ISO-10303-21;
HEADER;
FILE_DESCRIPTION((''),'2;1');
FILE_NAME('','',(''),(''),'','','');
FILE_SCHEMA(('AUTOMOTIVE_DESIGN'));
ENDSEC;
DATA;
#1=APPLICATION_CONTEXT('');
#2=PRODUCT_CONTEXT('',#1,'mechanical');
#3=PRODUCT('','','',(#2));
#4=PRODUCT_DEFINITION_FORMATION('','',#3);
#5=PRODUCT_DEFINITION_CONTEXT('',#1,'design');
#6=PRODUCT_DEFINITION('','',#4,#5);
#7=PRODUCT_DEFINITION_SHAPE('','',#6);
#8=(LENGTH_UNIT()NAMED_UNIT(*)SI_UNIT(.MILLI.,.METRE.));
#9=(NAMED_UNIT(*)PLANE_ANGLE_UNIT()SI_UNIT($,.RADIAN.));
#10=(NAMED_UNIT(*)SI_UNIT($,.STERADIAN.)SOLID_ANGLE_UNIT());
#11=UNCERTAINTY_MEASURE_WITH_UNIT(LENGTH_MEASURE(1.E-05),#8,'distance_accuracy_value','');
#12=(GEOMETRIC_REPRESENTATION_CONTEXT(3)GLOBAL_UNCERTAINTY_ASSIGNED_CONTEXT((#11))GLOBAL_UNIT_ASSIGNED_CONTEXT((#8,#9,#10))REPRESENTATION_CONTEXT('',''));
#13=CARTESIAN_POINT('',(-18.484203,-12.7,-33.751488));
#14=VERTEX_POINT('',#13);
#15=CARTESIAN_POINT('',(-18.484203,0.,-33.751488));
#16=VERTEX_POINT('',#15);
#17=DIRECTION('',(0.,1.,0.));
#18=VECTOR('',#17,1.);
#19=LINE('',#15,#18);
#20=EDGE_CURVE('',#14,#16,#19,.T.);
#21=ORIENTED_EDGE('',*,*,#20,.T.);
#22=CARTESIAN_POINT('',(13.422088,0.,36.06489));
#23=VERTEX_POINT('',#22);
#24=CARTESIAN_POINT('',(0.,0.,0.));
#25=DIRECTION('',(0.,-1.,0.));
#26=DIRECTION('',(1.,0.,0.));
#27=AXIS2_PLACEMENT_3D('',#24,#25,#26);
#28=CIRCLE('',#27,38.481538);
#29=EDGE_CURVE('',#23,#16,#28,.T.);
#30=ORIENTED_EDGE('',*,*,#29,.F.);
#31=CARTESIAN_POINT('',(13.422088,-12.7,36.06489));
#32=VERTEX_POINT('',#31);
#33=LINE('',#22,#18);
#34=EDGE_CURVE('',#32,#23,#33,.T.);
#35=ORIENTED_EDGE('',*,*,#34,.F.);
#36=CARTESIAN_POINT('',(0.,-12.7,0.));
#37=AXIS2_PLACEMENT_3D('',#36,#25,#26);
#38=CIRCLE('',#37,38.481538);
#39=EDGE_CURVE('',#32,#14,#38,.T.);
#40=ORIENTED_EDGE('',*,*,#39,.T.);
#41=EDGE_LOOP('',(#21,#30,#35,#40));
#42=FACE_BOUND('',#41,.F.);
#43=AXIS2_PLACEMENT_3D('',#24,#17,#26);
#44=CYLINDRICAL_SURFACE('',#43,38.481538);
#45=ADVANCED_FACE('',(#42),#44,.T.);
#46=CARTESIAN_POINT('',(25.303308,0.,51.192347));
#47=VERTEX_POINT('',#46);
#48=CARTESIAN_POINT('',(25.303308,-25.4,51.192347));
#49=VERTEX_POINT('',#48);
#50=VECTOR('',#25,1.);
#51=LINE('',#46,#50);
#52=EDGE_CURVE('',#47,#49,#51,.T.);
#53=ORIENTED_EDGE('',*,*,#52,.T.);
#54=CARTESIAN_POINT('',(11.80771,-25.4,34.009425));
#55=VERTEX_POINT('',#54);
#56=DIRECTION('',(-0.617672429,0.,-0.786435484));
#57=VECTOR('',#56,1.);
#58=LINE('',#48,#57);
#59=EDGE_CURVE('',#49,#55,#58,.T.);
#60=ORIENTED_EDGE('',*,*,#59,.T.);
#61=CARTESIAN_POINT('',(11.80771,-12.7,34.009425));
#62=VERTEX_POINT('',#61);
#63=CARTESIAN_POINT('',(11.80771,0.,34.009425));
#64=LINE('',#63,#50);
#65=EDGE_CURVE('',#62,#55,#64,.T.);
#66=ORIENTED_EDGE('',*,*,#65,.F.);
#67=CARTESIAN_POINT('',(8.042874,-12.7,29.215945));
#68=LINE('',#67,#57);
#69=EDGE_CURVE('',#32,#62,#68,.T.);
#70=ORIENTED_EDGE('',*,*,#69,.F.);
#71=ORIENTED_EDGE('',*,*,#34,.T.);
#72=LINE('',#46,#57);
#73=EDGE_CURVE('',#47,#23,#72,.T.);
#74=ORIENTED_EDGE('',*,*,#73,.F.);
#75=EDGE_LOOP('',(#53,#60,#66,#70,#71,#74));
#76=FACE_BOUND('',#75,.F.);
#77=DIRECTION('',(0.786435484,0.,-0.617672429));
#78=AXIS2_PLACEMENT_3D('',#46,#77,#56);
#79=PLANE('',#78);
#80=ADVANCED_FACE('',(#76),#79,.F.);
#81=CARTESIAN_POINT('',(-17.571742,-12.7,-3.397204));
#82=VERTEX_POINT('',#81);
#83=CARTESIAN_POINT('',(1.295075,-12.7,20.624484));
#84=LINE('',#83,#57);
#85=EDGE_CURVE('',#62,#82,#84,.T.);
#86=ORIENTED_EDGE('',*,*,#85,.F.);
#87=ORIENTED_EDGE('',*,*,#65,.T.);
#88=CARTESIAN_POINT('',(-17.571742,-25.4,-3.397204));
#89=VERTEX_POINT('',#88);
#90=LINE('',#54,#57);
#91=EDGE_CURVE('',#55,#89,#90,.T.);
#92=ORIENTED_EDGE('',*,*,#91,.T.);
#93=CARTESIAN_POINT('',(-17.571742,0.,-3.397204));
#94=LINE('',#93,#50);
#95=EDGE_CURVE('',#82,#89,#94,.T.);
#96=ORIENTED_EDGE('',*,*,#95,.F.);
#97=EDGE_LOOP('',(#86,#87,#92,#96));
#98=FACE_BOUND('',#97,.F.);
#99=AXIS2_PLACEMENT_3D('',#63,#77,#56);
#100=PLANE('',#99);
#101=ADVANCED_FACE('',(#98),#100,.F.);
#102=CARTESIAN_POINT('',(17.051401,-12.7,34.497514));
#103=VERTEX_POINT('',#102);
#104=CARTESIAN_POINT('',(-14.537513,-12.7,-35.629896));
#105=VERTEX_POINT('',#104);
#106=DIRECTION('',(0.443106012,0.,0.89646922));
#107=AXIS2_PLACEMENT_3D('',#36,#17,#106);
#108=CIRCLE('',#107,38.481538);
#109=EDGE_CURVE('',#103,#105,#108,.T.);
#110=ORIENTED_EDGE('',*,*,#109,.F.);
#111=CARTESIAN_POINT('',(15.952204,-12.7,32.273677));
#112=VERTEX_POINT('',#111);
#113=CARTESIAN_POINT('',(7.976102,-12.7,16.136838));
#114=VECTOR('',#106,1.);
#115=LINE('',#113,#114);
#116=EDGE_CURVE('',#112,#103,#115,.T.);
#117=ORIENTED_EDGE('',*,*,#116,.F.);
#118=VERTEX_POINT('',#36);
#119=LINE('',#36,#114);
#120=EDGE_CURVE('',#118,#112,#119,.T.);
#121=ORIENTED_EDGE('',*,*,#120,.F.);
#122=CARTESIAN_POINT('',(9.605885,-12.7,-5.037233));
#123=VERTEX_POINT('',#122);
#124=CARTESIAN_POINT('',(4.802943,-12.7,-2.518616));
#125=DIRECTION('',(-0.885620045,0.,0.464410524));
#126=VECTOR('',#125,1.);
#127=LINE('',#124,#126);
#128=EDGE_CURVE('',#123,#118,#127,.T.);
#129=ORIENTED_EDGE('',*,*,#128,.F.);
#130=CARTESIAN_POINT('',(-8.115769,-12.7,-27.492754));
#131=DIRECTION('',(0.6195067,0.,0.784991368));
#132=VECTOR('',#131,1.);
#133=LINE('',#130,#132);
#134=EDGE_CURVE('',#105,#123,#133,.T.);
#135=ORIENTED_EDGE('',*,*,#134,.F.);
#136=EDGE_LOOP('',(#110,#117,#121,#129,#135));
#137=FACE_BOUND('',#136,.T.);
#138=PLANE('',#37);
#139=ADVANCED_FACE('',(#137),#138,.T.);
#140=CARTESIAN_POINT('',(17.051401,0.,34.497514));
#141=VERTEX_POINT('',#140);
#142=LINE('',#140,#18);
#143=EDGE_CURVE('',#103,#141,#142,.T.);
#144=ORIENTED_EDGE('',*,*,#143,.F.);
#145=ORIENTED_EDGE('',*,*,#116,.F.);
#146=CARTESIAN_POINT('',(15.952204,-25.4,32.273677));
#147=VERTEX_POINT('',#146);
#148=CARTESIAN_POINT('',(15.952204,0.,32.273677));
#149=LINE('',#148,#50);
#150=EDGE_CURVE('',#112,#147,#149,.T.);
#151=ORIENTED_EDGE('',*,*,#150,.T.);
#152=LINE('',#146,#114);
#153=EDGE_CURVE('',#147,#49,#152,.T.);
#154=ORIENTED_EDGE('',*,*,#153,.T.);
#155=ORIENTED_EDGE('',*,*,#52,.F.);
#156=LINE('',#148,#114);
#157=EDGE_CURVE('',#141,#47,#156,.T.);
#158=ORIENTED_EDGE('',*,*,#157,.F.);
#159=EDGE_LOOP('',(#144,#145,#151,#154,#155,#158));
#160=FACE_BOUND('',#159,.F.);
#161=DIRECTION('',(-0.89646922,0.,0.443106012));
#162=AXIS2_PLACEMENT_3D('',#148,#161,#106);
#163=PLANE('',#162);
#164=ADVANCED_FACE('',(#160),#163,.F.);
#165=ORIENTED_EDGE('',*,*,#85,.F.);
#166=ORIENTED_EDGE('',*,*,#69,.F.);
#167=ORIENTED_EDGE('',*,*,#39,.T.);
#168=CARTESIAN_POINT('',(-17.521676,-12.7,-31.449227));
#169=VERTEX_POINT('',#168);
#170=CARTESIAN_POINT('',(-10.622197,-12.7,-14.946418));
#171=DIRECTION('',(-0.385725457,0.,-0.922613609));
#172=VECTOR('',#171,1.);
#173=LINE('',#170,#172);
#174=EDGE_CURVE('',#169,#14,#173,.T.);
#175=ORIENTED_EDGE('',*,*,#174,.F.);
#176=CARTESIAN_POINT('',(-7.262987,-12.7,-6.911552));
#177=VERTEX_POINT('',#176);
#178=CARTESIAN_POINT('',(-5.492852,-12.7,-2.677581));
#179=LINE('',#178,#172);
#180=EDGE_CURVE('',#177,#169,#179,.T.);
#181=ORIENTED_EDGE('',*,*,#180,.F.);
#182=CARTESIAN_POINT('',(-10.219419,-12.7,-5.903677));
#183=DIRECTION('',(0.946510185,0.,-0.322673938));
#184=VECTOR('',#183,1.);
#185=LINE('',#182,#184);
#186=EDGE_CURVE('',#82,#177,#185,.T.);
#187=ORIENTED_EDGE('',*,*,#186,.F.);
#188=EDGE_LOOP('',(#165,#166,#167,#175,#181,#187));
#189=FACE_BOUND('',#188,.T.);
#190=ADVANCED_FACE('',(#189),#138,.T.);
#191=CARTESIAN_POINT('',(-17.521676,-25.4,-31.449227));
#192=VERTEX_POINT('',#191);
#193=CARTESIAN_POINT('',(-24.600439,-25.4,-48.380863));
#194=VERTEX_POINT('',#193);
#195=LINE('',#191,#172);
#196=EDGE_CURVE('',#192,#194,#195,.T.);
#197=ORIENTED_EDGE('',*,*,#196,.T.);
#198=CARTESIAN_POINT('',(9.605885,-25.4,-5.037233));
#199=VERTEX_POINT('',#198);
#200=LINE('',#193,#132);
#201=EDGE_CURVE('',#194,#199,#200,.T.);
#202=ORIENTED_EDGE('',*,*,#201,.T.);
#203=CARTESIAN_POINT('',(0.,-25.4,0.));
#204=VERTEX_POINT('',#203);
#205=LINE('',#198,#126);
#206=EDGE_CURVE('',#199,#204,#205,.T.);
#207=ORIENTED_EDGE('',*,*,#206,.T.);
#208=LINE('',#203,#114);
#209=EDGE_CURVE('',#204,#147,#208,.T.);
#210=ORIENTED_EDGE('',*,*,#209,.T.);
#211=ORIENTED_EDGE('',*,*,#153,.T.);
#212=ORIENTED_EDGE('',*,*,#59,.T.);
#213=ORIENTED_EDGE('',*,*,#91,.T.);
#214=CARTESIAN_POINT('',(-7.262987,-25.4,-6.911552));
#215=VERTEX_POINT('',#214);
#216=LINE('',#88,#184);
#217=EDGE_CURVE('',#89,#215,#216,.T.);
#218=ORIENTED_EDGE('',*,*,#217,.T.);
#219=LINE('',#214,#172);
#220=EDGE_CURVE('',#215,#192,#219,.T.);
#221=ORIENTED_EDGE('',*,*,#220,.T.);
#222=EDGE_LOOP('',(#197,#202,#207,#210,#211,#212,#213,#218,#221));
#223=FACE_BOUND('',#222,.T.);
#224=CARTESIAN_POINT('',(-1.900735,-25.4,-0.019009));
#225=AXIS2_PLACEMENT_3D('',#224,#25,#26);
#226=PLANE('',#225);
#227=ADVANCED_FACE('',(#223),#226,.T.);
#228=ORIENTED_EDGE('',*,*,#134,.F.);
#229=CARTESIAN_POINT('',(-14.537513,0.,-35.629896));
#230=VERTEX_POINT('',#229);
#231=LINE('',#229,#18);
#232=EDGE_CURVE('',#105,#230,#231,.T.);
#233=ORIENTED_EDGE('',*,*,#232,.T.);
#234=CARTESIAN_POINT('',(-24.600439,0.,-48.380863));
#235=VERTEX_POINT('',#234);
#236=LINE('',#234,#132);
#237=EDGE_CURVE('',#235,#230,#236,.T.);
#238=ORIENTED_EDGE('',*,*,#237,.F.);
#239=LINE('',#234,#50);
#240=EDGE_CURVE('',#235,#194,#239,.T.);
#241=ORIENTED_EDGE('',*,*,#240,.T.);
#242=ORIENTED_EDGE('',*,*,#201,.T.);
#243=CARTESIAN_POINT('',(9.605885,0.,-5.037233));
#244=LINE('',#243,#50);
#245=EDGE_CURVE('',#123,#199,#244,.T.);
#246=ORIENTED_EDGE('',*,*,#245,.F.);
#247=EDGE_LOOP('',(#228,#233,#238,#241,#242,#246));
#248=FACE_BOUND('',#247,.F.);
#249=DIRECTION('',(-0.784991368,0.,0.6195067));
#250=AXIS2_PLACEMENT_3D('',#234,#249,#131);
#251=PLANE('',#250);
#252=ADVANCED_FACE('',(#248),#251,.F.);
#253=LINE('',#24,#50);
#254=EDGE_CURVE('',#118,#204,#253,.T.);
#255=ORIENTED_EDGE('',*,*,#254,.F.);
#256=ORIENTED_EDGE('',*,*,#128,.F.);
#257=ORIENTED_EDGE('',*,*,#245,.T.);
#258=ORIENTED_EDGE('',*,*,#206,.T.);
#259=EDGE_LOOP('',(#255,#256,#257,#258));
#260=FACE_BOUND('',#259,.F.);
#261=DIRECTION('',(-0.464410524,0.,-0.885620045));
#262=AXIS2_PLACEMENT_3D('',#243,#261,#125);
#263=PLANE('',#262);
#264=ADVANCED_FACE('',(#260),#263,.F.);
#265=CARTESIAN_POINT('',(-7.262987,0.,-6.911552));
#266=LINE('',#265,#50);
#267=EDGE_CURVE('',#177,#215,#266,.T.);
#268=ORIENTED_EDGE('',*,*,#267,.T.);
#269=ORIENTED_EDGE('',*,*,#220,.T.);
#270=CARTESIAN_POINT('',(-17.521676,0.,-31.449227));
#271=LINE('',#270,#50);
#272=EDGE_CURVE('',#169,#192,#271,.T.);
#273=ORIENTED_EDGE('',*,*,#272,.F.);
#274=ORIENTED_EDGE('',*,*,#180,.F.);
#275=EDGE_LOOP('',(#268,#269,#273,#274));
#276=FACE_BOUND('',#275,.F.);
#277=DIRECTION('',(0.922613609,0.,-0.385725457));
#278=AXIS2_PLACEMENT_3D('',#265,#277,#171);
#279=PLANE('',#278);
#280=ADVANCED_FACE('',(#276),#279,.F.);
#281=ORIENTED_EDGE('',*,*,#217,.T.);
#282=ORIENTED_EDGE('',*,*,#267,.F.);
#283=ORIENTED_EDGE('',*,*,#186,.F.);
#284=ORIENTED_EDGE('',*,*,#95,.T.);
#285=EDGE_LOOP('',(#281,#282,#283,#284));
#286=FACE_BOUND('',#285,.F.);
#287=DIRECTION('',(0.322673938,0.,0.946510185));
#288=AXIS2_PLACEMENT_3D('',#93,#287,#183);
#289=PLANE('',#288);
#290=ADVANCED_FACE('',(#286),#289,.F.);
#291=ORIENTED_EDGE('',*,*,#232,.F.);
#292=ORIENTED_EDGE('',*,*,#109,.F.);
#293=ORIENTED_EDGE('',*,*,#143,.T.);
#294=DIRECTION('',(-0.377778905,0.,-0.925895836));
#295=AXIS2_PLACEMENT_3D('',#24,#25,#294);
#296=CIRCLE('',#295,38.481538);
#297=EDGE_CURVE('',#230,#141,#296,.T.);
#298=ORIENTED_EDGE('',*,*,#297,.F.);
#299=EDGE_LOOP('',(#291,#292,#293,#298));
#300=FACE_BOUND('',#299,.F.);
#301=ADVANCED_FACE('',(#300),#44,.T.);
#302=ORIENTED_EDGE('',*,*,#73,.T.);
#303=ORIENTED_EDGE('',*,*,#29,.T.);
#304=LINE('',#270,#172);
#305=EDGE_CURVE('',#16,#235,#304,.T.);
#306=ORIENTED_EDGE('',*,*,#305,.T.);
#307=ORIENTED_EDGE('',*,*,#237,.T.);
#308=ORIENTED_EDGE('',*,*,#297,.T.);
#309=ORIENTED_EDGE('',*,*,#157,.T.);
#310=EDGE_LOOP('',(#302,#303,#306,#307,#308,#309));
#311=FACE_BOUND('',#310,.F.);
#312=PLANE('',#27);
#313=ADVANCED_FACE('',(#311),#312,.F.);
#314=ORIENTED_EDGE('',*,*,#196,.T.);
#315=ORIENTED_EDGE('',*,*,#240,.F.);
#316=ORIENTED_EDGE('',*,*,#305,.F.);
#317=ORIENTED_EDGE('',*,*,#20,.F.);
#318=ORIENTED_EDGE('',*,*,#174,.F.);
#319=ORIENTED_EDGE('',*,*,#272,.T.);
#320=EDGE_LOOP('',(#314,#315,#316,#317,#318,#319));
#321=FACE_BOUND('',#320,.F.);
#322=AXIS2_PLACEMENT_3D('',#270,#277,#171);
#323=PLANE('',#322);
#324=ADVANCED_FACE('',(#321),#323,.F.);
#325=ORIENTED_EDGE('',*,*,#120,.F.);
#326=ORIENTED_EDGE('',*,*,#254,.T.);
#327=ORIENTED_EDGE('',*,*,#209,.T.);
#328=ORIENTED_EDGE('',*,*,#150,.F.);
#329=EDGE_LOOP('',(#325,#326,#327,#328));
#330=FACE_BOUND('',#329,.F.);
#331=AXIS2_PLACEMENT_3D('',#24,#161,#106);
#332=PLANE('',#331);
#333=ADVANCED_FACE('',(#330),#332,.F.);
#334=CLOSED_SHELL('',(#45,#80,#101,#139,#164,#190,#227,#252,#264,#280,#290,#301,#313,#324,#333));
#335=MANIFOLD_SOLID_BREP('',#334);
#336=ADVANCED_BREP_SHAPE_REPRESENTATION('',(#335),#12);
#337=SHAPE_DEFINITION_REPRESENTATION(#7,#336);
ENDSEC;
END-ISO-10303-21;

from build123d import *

# Parameters (mm, degrees)
F1_DEPTH = 25.4
F2_R     = 38.4815377022
F3_DEPTH = 12.7


with BuildPart() as f1:
    # F0 (on Front) → F1 (new body)
    with BuildSketch(Plane.XZ):
        with BuildLine():
            Line((0, 0), (15.9522042852, 32.2736765923))
            ThreePointArc((15.9522042852, 32.2736765923), (13.9070635798, 33.2062735778), (11.8077100935, 34.0094252331))
            Line((11.8077100935, 34.0094252331), (-17.5717417151, -3.397203749))
            Line((-17.5717417151, -3.397203749), (-7.2629870847, -6.9115520455))
            Line((-7.2629870847, -6.9115520455), (-17.5216759613, -31.4492272377))
            ThreePointArc((-17.5216759613, -31.4492272377), (-15.2654291044, -32.6041361885), (-12.933512927, -33.5974294509))
            Line((-12.933512927, -33.5974294509), (9.6058854833, -5.0372327678))
            Line((9.6058854833, -5.0372327678), (0, 0))
        make_face()
        with BuildLine():
            Line((-24.6004387736, -48.3808629215), (-12.933512927, -33.5974294509))
            ThreePointArc((-12.933512927, -33.5974294509), (-15.2654291044, -32.6041361885), (-17.5216759613, -31.4492272377))
            Line((-17.5216759613, -31.4492272377), (-24.6004387736, -48.3808629215))
        make_face()
        with BuildLine():
            ThreePointArc((11.8077100935, 34.0094252331), (13.9070635798, 33.2062735778), (15.9522042852, 32.2736765923))
            Line((15.9522042852, 32.2736765923), (25.3033079207, 51.1923469603))
            Line((25.3033079207, 51.1923469603), (11.8077100935, 34.0094252331))
        make_face()
    extrude(amount=F1_DEPTH)

    # F2 (on Front) → F3 (join)
    with BuildSketch(Plane.XZ):
        Circle(F2_R)
    extrude(amount=F3_DEPTH)


solid = f1.part
